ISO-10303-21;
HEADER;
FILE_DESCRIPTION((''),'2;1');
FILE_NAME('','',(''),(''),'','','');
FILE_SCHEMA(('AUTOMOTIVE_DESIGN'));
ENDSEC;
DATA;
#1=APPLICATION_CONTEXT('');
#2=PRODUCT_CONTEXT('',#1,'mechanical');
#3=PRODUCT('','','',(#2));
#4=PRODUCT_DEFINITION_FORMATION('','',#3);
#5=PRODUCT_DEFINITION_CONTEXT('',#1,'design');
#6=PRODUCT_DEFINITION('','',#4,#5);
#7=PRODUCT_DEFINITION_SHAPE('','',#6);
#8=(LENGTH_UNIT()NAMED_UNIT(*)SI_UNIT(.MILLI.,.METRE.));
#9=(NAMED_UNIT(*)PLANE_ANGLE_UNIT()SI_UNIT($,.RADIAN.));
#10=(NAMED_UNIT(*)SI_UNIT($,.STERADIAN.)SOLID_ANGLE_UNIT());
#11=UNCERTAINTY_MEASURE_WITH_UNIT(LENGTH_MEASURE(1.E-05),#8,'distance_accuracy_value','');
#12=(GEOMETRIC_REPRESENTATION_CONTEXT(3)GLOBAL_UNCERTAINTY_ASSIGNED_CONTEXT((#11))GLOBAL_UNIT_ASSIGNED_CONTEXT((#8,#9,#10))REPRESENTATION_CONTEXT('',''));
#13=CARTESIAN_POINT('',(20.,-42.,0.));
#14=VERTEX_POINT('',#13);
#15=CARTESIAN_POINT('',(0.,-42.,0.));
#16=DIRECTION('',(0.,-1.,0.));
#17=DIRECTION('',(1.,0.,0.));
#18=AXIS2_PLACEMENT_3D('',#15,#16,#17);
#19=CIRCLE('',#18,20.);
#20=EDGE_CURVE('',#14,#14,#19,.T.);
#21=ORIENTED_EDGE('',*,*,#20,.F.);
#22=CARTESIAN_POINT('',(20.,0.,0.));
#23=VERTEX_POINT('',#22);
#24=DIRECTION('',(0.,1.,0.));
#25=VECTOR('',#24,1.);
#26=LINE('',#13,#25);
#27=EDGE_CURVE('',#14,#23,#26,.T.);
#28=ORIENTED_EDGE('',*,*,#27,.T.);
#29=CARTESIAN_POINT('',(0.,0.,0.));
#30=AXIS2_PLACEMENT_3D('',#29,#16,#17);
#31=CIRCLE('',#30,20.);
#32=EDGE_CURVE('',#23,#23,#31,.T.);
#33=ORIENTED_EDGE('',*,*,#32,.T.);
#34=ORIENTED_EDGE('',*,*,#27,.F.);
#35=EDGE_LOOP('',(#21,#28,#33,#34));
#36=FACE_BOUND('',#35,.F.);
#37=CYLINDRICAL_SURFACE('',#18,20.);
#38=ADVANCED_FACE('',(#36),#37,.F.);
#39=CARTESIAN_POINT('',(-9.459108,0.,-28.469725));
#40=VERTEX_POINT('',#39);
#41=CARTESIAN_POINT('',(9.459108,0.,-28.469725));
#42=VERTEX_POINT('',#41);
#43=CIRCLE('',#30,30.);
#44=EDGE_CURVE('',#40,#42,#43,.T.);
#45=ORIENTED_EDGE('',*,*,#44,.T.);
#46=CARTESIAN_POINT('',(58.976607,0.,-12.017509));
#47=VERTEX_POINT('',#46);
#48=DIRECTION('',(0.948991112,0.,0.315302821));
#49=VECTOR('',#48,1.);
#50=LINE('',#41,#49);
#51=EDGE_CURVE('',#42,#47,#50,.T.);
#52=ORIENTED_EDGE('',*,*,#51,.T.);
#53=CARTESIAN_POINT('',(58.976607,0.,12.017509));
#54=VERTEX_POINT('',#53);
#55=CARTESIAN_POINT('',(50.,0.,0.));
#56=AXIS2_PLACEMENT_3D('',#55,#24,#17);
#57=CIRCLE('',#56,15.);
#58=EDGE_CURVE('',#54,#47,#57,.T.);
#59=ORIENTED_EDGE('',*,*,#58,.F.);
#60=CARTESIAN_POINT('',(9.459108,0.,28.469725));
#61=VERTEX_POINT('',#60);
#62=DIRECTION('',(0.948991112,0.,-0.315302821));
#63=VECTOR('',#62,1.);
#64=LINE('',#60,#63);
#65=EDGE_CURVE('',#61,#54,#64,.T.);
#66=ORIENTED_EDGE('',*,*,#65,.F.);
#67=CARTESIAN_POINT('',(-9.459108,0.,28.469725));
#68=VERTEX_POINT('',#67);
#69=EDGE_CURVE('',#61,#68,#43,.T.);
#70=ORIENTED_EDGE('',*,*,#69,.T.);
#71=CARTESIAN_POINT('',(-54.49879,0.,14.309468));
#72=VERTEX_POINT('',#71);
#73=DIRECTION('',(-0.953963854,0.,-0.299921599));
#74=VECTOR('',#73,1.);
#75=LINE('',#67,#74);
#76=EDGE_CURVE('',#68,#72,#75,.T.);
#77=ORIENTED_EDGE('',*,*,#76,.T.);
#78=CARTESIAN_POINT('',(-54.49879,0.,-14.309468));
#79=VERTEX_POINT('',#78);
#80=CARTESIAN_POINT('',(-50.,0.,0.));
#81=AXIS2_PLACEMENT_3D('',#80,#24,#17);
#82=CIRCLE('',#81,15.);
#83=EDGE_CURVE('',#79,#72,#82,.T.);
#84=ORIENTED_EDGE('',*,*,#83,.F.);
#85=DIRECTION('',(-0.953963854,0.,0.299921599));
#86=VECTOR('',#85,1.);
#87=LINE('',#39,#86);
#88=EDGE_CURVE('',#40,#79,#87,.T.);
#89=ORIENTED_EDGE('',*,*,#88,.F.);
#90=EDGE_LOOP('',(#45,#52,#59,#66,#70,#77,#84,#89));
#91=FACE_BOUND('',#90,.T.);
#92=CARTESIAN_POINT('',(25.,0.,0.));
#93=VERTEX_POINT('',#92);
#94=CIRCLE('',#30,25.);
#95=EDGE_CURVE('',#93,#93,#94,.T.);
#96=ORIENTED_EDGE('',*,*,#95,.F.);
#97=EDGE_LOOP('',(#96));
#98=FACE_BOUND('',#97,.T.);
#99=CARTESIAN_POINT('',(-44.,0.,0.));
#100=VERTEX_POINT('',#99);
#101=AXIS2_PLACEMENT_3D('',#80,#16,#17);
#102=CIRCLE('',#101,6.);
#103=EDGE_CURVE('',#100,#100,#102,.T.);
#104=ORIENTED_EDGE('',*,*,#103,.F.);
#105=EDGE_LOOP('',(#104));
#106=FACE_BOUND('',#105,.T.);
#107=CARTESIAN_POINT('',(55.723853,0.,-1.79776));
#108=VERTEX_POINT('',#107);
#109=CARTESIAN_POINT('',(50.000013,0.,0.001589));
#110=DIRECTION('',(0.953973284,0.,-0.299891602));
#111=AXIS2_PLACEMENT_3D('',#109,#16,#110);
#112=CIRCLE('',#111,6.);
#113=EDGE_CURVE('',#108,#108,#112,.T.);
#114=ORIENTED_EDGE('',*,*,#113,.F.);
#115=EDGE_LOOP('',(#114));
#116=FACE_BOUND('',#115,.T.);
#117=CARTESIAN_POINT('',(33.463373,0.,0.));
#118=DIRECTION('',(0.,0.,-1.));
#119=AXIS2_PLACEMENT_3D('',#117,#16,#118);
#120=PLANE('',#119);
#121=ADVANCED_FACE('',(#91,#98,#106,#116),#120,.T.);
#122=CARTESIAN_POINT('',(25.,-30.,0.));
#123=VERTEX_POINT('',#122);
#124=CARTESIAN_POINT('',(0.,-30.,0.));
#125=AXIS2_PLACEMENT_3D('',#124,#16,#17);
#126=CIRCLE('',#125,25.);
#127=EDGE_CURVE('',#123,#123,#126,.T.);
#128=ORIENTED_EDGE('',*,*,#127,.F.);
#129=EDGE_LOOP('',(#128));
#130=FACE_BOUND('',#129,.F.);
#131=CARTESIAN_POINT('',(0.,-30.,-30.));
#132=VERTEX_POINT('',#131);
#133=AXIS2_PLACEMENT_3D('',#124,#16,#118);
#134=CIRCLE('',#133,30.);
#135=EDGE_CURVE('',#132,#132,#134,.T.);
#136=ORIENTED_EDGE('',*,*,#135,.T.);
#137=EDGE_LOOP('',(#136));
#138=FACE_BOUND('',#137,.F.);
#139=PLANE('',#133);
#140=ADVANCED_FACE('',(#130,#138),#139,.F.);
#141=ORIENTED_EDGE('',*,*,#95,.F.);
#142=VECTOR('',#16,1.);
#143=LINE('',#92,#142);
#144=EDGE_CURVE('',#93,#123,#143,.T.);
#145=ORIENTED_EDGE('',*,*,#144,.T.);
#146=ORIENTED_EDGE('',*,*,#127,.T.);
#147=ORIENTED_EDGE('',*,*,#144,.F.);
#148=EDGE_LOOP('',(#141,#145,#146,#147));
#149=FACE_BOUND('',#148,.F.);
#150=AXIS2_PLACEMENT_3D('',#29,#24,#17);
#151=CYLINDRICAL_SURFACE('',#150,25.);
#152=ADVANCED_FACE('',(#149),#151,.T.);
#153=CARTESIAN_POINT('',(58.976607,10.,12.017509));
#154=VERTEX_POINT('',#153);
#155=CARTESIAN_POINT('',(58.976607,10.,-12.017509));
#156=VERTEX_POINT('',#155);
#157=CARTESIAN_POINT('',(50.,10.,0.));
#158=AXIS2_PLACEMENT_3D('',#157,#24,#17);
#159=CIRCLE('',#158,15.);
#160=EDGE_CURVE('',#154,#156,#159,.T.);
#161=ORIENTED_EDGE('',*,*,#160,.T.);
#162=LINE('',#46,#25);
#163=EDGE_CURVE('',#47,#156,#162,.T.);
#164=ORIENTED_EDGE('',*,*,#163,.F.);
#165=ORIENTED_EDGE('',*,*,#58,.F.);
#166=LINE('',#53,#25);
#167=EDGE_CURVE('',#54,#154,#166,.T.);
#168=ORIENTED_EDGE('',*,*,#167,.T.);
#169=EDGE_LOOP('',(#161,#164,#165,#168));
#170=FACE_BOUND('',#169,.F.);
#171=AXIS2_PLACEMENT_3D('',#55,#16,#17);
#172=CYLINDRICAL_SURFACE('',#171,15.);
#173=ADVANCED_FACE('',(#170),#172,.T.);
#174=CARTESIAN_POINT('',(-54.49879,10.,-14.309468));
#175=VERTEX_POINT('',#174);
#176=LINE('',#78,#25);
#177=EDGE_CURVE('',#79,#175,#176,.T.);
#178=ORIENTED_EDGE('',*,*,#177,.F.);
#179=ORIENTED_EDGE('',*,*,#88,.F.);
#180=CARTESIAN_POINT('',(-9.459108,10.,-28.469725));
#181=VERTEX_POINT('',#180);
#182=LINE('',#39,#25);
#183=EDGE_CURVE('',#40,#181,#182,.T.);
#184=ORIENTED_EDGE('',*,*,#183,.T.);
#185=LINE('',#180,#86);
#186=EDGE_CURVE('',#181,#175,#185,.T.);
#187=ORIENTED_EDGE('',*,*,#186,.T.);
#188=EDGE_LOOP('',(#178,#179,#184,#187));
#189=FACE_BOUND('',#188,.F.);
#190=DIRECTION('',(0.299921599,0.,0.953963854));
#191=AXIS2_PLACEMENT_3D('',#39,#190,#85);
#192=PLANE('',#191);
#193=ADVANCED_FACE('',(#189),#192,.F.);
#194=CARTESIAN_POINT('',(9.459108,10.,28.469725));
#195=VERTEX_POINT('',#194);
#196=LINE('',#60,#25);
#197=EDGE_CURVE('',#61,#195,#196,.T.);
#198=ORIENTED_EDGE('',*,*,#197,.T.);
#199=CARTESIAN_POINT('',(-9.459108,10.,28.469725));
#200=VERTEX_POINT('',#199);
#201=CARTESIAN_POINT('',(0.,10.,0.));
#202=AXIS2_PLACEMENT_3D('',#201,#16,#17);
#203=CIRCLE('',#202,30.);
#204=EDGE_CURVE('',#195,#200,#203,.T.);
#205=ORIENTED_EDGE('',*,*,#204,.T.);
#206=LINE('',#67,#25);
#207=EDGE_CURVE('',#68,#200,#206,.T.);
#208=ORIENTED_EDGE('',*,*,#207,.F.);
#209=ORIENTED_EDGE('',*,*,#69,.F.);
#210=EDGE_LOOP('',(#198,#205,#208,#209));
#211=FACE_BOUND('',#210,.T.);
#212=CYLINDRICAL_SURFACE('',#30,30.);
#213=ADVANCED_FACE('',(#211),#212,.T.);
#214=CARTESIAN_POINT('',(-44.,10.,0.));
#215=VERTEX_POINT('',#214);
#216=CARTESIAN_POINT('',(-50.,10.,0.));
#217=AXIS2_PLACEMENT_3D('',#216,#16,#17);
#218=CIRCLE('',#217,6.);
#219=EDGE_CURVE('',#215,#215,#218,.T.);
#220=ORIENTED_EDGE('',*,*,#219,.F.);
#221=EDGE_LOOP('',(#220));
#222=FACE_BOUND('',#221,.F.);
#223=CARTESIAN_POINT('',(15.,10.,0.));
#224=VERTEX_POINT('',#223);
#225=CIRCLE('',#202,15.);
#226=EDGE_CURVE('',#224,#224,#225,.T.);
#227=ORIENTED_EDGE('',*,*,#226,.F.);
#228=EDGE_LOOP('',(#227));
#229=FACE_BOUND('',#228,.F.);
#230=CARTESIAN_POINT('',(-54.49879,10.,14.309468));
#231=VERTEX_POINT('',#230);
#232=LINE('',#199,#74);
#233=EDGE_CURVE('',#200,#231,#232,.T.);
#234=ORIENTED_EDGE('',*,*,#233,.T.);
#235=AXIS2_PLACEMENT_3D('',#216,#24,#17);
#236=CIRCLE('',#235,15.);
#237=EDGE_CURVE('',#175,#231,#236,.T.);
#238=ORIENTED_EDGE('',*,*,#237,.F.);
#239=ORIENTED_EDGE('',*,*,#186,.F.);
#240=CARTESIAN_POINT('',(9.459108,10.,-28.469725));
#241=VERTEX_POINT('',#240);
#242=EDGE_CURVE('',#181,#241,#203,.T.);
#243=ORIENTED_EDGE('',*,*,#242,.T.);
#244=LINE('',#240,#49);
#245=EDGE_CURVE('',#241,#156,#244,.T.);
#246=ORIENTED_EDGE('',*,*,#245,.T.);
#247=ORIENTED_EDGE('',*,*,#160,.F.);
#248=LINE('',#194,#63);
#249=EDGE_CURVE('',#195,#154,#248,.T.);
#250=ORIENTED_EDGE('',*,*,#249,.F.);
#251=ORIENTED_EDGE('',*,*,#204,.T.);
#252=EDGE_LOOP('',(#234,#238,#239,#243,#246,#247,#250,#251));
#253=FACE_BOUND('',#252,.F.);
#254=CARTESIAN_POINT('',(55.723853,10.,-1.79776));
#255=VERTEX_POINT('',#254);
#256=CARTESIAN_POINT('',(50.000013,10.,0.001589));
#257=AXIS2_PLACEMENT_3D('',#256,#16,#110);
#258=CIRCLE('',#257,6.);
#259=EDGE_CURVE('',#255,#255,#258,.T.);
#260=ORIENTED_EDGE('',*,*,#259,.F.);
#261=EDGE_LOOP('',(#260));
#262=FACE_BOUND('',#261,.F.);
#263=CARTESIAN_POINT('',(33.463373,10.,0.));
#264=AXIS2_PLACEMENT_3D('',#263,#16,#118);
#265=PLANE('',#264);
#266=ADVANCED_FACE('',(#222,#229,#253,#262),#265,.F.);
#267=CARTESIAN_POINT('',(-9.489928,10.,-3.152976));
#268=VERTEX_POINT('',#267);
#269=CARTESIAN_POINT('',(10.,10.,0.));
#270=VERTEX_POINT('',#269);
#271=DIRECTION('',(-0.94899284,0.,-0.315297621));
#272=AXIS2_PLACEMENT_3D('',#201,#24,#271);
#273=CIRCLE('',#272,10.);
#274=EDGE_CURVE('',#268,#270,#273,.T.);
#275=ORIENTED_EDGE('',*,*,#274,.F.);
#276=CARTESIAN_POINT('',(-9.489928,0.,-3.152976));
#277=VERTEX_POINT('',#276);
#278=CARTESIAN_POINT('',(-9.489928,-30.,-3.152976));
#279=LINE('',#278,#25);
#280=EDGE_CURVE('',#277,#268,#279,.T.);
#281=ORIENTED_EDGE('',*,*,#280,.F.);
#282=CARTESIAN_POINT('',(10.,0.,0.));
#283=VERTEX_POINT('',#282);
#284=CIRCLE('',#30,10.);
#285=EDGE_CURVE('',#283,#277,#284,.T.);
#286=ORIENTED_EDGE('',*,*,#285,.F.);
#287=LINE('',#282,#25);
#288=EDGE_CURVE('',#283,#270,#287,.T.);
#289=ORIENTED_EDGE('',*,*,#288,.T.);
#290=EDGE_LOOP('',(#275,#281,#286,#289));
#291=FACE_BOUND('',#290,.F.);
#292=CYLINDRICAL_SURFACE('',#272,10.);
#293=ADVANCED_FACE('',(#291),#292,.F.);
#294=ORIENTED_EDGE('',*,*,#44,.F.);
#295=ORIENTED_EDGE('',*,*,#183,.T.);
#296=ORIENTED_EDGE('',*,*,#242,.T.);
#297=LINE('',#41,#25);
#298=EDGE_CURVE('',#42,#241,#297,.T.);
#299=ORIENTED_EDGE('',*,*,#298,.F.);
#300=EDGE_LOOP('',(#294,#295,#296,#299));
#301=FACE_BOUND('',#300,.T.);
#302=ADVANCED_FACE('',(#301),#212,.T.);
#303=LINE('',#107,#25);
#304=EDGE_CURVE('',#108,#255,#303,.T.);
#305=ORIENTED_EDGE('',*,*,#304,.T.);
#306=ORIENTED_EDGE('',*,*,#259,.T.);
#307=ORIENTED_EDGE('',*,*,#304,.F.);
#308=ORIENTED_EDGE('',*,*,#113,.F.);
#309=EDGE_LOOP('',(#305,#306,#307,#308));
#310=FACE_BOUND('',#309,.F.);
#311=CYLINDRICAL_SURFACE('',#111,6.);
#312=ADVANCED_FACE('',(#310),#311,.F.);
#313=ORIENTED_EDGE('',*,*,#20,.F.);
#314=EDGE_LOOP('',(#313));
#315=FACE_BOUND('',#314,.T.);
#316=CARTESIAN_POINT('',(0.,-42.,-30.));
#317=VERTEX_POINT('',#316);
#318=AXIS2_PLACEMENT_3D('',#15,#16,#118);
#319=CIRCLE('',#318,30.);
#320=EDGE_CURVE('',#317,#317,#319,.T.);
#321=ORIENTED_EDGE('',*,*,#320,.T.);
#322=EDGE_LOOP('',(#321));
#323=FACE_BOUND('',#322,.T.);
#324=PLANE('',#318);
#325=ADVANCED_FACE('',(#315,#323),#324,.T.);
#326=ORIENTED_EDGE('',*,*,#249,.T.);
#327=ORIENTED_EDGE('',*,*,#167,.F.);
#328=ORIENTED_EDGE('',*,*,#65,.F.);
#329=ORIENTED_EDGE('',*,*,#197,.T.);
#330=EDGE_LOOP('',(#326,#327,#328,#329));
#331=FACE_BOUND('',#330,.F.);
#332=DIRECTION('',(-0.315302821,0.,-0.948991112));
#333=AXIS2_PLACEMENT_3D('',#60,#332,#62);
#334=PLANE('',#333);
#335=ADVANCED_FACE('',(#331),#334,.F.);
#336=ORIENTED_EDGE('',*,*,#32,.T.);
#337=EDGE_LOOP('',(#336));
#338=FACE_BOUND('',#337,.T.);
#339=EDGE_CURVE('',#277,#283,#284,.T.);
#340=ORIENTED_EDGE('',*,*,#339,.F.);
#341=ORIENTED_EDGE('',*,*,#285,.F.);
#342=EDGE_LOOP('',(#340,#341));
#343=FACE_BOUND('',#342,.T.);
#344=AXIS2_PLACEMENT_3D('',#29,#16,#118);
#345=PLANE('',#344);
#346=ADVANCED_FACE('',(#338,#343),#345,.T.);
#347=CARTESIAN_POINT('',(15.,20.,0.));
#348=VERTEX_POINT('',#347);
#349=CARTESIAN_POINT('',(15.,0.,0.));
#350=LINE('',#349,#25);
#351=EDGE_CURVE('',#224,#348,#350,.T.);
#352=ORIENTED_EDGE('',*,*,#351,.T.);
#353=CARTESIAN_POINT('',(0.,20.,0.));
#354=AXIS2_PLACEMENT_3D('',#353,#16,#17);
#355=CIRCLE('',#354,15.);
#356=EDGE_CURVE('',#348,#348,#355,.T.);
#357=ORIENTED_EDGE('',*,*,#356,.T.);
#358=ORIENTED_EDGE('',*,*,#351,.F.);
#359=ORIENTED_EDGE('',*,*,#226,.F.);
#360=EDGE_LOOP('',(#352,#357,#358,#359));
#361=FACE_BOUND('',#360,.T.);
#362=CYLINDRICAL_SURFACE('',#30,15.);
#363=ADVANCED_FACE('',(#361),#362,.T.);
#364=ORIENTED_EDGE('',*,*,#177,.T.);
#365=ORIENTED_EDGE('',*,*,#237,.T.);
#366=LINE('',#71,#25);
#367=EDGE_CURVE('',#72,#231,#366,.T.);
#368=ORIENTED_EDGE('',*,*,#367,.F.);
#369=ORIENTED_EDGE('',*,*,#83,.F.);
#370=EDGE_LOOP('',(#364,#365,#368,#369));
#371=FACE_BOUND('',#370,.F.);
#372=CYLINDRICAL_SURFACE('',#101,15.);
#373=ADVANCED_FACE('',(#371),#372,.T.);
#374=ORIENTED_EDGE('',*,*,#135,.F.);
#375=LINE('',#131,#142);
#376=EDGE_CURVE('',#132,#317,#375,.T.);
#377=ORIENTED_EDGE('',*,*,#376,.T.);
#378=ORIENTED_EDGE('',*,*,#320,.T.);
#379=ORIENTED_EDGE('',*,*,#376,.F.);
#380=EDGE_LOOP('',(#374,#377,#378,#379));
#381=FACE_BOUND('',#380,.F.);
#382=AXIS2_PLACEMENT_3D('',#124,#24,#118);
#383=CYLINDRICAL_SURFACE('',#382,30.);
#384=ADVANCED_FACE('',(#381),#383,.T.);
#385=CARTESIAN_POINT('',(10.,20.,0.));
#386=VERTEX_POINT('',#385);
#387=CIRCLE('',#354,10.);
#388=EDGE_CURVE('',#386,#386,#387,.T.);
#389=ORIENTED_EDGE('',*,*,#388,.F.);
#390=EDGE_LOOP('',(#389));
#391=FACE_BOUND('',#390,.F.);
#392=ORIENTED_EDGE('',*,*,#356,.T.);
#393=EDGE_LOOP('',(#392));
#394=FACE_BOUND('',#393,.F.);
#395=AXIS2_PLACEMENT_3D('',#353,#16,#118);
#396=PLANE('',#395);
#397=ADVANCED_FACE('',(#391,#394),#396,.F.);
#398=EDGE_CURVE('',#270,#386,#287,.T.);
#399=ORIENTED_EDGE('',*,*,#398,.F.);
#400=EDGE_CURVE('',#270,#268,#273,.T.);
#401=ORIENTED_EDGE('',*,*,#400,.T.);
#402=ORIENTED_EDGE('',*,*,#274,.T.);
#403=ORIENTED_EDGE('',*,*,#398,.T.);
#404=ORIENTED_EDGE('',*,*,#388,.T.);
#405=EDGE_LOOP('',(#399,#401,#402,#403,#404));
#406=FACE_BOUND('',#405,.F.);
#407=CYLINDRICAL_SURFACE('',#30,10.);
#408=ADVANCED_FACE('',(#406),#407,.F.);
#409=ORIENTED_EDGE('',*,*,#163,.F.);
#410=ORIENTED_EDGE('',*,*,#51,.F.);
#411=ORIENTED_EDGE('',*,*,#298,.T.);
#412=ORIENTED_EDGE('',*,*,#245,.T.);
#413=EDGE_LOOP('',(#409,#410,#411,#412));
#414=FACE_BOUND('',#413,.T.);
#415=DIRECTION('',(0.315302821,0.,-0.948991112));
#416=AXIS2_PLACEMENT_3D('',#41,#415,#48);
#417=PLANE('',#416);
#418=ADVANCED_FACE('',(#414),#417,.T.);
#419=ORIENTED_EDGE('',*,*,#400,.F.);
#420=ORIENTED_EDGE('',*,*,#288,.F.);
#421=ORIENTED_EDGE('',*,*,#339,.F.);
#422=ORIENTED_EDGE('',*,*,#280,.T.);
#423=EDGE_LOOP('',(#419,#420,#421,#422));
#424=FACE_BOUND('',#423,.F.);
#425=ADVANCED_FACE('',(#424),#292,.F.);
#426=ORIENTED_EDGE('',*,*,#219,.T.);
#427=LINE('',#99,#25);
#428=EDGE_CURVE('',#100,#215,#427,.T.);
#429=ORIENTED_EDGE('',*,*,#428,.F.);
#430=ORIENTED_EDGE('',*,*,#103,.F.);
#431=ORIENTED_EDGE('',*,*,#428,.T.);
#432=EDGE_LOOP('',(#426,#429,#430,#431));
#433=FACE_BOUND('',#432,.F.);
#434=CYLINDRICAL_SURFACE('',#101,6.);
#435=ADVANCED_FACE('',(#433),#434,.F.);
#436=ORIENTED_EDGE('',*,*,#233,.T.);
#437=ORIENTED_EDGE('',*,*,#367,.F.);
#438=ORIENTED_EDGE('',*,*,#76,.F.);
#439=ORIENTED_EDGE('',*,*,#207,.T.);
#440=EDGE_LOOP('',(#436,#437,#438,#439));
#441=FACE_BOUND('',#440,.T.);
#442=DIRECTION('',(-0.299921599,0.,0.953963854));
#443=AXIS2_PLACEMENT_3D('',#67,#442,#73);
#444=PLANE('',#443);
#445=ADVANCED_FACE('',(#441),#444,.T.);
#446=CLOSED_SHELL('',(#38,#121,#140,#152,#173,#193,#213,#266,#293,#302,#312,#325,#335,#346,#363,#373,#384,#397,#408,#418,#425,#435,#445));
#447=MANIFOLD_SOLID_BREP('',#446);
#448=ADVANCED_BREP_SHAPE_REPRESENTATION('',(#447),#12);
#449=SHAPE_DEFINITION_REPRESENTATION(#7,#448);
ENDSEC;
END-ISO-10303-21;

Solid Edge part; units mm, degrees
sketch "Sketch1" plane through (0, 0, 0) normal (0, -1, 0) x (1, 0, 0)
  line L0 (-9.4591, 28.4697) -> (-54.4988, 14.3095)
  line L1 (-9.4591, -28.4697) -> (-54.4988, -14.3095)
  arc A0 (-9.4591, 28.4697) -> (-9.4591, -28.4697) centre (0, 0) ccw
  arc A1 (-54.4988, -14.3095) -> (-54.4988, 14.3095) centre (-50, 0) cw
  circle A2 centre (-50, 0) radius 6
extrude "Protrusion1" add sketch "Sketch1" against normal blind 10
sketch "Sketch2" plane through (0, 0, 0) normal (0, -1, 0) x (1, 0, 0)
  line L0 (9.4591, -28.4697) -> (58.9766, -12.0175)
  arc A0 (9.4591, 28.4697) -> (9.4591, -28.4697) centre (0, 0) cw
  line L1 (9.4591, 28.4697) -> (58.9766, 12.0175)
  arc A1 (58.9766, 12.0175) -> (58.9766, -12.0175) centre (50, 0) cw
extrude "ExtrudedProtrusion_2" add sketch "Sketch2" against normal blind 10
sketch "Sketch3" plane through (0, 0, 0) normal (0, -1, 0) x (1, 0, 0)
  circle A0 centre (0, 0) radius 30
extrude "ExtrudedProtrusion_3" add sketch "Sketch3" against normal blind 10
sketch "Sketch4" plane through (0, 0, 0) normal (0, -1, 0) x (1, 0, 0)
  circle A0 centre (0, 0) radius 25
  circle A1 centre (0, 0) radius 10
extrude "ExtrudedProtrusion_6" add sketch "Sketch4" along normal blind 30
sketch "Sketch5" plane through (0, 10, 0) normal (0, 1, 0) x (-0.949, 0, -0.3153)
  circle A0 centre (0, 0) radius 10
extrude "ExtrudedCutout_1" cut sketch "Sketch5" against normal blind 62
sketch "Sketch6" plane through (0, 0, 0) normal (0, -1, 0) x (1, 0, 0)
  circle A0 centre (0, 0) radius 10
  circle A1 centre (0, 0) radius 15
extrude "ExtrudedProtrusion_11" add sketch "Sketch6" against normal blind 20
sketch "Sketch7" plane through (0, 0, 0) normal (0, -1, 0) x (0.954, 0, -0.2999)
  circle A0 centre (47.6982, 14.9961) radius 6
extrude "ExtrudedCutout_2" cut sketch "Sketch7" against normal blind 10
sketch "Sketch8" plane through (0, -30, 0) normal (0, -1, 0) x (0, 0, -1)
  circle A0 centre (0, 0) radius 30
extrude "ExtrudedProtrusion_12" add sketch "Sketch8" along normal blind 12
sketch "Sketch9" plane through (0, -42, 0) normal (0, -1, 0) x (1, 0, 0)
  circle A0 centre (0, 0) radius 20
extrude "ExtrudedCutout_3" cut sketch "Sketch9" against normal blind 42
